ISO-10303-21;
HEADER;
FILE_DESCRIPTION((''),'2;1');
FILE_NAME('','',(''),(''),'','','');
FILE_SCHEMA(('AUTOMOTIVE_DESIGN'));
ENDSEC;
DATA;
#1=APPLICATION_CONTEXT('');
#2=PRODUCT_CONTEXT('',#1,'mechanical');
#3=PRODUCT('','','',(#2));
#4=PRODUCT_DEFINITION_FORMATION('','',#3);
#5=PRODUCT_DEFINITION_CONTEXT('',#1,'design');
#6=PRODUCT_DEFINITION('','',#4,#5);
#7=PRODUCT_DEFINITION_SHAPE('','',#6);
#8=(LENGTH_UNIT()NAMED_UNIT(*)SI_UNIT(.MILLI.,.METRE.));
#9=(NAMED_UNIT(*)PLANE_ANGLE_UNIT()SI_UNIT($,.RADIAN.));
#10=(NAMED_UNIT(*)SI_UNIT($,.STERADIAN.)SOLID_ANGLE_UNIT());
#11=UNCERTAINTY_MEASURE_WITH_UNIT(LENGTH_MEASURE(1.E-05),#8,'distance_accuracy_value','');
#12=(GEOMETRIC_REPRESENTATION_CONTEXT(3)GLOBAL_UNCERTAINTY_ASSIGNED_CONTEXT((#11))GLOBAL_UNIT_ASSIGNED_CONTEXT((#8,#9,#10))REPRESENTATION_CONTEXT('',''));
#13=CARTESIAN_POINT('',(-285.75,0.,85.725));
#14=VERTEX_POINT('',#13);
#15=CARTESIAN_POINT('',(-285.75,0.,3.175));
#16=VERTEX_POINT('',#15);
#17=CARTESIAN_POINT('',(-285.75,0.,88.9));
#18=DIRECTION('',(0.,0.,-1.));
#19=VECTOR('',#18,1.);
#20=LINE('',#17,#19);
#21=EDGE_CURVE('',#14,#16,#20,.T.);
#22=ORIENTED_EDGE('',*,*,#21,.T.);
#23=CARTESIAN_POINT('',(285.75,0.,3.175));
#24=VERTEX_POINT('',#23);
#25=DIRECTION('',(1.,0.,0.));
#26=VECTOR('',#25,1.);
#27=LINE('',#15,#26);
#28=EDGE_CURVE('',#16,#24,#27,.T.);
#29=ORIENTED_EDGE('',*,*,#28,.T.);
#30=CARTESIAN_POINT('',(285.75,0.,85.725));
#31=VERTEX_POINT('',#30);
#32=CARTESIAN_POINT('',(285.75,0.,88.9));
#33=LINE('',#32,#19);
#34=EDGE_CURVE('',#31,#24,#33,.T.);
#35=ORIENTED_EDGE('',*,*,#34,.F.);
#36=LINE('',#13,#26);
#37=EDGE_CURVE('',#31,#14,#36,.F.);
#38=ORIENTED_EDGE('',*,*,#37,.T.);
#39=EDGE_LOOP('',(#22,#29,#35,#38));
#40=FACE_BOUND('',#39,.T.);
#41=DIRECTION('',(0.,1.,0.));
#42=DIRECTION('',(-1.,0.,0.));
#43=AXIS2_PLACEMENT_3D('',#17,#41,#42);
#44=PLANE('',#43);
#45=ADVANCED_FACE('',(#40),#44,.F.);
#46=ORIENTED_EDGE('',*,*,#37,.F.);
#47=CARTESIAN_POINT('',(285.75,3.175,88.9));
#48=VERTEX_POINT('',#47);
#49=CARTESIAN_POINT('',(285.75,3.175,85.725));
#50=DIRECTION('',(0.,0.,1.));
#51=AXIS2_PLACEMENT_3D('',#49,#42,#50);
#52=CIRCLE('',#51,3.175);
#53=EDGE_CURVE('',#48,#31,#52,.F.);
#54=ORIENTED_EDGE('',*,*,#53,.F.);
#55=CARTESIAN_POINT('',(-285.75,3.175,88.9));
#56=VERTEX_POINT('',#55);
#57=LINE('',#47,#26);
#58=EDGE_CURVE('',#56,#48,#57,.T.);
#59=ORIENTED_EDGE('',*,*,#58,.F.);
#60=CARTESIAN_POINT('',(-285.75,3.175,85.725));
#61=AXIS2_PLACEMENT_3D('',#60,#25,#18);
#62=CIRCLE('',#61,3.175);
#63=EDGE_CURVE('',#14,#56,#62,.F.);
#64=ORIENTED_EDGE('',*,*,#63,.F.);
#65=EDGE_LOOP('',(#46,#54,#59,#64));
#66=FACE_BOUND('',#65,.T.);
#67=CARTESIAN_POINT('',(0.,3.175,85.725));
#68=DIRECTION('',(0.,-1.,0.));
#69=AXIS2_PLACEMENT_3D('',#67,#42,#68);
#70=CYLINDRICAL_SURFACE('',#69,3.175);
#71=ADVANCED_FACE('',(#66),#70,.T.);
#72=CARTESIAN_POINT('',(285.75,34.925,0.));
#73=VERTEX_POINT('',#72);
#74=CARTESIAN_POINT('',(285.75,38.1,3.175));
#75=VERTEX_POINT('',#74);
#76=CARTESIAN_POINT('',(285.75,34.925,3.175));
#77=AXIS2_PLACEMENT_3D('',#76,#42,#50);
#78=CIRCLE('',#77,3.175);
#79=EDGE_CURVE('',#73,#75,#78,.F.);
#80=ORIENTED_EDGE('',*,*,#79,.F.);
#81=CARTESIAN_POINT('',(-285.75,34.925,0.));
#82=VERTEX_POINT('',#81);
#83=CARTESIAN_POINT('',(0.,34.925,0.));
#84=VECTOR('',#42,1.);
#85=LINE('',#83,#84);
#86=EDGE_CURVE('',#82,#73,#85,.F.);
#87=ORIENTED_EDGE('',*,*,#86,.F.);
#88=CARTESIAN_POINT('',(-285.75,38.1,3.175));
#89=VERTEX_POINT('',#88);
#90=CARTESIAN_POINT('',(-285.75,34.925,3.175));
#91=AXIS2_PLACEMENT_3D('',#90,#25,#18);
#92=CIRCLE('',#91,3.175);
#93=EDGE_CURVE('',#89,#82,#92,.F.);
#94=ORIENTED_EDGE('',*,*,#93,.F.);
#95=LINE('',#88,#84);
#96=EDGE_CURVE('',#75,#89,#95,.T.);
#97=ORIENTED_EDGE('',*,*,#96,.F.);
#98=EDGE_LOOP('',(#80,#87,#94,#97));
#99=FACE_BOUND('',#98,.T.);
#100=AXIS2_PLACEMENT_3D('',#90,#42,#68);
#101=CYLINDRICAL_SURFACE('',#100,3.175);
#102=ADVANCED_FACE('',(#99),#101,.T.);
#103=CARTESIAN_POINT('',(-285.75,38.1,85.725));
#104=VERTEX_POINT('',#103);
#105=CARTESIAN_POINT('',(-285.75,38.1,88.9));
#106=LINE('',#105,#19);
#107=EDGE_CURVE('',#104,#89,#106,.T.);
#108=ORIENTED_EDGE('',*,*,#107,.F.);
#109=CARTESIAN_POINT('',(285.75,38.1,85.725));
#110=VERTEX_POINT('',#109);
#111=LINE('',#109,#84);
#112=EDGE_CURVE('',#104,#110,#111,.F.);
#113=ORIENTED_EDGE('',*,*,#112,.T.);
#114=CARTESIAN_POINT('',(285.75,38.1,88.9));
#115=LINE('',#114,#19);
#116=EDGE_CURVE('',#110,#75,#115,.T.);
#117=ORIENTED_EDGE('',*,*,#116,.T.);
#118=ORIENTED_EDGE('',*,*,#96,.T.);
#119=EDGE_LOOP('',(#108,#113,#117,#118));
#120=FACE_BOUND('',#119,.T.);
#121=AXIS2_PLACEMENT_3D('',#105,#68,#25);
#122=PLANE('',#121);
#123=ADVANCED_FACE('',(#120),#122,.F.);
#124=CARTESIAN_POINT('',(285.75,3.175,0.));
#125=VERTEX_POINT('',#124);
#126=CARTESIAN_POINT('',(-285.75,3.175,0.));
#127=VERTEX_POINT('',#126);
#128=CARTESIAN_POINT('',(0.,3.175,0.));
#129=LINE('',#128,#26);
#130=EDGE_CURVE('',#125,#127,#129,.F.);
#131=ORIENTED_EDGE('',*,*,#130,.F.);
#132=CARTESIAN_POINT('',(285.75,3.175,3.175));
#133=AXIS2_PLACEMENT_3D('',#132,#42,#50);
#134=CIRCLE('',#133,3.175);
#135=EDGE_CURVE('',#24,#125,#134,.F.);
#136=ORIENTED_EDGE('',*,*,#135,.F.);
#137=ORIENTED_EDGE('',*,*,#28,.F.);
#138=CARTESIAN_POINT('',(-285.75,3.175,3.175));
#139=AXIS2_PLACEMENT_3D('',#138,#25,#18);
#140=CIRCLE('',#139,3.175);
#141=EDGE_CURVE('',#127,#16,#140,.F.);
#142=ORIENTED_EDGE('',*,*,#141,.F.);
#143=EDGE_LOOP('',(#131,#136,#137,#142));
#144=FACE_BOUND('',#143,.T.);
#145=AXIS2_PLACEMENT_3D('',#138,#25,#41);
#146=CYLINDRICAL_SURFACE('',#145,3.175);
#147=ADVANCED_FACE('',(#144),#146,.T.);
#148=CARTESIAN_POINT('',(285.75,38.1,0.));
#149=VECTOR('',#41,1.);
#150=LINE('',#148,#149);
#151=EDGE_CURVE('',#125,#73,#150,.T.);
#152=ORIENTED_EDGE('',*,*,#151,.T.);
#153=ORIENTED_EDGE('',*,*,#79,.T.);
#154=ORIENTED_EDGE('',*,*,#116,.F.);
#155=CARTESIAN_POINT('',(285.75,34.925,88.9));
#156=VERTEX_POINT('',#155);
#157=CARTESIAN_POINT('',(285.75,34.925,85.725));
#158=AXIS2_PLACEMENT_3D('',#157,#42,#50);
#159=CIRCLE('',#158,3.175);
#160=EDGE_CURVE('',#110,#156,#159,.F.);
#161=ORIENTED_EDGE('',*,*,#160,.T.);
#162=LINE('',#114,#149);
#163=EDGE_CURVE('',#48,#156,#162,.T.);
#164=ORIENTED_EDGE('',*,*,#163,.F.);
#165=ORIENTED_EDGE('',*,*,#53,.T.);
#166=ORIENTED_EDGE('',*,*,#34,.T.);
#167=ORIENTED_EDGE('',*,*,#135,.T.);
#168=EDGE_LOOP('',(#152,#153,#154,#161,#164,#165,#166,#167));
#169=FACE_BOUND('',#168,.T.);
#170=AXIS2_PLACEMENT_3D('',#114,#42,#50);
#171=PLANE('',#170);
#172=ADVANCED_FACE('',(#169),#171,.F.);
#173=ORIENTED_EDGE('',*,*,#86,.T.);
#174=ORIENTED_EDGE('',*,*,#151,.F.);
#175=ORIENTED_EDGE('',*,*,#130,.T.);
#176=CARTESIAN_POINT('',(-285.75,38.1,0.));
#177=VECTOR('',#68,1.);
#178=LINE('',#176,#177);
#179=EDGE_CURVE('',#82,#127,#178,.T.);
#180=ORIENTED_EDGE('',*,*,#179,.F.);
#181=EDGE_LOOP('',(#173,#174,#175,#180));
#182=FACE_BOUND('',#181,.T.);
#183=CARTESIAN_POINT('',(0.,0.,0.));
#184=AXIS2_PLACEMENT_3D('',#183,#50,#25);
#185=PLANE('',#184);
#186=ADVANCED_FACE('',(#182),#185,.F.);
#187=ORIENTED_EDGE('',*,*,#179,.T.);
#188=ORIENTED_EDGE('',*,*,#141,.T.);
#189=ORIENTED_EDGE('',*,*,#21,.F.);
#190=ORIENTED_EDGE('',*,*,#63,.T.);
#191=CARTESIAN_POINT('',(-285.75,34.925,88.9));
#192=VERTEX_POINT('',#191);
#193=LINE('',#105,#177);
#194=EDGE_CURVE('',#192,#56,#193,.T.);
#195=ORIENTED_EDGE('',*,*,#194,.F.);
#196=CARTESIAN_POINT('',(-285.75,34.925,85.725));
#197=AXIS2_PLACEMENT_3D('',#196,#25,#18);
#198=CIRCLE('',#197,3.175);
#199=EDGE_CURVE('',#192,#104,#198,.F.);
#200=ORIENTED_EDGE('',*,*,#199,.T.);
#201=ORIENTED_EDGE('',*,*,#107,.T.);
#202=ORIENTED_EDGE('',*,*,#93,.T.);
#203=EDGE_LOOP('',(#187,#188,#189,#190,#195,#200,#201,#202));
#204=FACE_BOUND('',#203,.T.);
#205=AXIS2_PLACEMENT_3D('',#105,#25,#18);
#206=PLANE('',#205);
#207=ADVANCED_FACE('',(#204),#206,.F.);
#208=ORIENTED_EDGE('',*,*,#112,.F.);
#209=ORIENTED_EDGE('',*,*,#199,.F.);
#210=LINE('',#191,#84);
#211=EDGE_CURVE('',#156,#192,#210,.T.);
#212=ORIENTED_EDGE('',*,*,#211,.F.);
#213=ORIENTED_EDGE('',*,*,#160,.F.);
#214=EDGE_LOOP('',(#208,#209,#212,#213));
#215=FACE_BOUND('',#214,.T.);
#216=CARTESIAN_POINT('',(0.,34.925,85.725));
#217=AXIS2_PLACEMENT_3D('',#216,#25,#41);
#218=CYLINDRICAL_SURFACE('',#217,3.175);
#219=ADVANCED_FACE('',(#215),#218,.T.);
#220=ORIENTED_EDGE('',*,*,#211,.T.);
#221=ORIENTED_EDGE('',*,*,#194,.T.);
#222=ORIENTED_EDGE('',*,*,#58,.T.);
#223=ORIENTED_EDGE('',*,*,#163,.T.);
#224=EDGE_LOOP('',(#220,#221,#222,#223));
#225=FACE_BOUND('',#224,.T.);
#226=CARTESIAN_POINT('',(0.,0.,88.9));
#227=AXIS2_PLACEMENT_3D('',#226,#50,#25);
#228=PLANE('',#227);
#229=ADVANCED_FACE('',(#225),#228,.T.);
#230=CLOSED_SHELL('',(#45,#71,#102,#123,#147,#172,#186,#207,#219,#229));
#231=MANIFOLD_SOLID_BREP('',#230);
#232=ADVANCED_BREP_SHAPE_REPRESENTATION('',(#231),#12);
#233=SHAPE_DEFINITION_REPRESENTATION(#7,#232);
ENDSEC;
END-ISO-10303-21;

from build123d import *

# Parameters (mm, degrees)
SKETCH1_W           = 571.5
SKETCH1_H           = 38.1
BOSS_EXTRUDE1_DEPTH = 88.9
FILLET1_R           = 3.175


with BuildPart() as part:
    # Sketch1 → Boss-Extrude1 (new body)
    with BuildSketch(Plane.XY):
        with Locations((0, 19.05)):
            Rectangle(SKETCH1_W, SKETCH1_H)
    extrude(amount=BOSS_EXTRUDE1_DEPTH)

    # Fillet1
    fillet1_edges = [part.edges().sort_by_distance(p)[0] for p in [
        (0, 38.1, 88.9),
        (0, 38.1, 0),
        (0, 0, 0),
        (0, 0, 88.9),
    ]]
    fillet(fillet1_edges, radius=FILLET1_R)


solid = part.part
